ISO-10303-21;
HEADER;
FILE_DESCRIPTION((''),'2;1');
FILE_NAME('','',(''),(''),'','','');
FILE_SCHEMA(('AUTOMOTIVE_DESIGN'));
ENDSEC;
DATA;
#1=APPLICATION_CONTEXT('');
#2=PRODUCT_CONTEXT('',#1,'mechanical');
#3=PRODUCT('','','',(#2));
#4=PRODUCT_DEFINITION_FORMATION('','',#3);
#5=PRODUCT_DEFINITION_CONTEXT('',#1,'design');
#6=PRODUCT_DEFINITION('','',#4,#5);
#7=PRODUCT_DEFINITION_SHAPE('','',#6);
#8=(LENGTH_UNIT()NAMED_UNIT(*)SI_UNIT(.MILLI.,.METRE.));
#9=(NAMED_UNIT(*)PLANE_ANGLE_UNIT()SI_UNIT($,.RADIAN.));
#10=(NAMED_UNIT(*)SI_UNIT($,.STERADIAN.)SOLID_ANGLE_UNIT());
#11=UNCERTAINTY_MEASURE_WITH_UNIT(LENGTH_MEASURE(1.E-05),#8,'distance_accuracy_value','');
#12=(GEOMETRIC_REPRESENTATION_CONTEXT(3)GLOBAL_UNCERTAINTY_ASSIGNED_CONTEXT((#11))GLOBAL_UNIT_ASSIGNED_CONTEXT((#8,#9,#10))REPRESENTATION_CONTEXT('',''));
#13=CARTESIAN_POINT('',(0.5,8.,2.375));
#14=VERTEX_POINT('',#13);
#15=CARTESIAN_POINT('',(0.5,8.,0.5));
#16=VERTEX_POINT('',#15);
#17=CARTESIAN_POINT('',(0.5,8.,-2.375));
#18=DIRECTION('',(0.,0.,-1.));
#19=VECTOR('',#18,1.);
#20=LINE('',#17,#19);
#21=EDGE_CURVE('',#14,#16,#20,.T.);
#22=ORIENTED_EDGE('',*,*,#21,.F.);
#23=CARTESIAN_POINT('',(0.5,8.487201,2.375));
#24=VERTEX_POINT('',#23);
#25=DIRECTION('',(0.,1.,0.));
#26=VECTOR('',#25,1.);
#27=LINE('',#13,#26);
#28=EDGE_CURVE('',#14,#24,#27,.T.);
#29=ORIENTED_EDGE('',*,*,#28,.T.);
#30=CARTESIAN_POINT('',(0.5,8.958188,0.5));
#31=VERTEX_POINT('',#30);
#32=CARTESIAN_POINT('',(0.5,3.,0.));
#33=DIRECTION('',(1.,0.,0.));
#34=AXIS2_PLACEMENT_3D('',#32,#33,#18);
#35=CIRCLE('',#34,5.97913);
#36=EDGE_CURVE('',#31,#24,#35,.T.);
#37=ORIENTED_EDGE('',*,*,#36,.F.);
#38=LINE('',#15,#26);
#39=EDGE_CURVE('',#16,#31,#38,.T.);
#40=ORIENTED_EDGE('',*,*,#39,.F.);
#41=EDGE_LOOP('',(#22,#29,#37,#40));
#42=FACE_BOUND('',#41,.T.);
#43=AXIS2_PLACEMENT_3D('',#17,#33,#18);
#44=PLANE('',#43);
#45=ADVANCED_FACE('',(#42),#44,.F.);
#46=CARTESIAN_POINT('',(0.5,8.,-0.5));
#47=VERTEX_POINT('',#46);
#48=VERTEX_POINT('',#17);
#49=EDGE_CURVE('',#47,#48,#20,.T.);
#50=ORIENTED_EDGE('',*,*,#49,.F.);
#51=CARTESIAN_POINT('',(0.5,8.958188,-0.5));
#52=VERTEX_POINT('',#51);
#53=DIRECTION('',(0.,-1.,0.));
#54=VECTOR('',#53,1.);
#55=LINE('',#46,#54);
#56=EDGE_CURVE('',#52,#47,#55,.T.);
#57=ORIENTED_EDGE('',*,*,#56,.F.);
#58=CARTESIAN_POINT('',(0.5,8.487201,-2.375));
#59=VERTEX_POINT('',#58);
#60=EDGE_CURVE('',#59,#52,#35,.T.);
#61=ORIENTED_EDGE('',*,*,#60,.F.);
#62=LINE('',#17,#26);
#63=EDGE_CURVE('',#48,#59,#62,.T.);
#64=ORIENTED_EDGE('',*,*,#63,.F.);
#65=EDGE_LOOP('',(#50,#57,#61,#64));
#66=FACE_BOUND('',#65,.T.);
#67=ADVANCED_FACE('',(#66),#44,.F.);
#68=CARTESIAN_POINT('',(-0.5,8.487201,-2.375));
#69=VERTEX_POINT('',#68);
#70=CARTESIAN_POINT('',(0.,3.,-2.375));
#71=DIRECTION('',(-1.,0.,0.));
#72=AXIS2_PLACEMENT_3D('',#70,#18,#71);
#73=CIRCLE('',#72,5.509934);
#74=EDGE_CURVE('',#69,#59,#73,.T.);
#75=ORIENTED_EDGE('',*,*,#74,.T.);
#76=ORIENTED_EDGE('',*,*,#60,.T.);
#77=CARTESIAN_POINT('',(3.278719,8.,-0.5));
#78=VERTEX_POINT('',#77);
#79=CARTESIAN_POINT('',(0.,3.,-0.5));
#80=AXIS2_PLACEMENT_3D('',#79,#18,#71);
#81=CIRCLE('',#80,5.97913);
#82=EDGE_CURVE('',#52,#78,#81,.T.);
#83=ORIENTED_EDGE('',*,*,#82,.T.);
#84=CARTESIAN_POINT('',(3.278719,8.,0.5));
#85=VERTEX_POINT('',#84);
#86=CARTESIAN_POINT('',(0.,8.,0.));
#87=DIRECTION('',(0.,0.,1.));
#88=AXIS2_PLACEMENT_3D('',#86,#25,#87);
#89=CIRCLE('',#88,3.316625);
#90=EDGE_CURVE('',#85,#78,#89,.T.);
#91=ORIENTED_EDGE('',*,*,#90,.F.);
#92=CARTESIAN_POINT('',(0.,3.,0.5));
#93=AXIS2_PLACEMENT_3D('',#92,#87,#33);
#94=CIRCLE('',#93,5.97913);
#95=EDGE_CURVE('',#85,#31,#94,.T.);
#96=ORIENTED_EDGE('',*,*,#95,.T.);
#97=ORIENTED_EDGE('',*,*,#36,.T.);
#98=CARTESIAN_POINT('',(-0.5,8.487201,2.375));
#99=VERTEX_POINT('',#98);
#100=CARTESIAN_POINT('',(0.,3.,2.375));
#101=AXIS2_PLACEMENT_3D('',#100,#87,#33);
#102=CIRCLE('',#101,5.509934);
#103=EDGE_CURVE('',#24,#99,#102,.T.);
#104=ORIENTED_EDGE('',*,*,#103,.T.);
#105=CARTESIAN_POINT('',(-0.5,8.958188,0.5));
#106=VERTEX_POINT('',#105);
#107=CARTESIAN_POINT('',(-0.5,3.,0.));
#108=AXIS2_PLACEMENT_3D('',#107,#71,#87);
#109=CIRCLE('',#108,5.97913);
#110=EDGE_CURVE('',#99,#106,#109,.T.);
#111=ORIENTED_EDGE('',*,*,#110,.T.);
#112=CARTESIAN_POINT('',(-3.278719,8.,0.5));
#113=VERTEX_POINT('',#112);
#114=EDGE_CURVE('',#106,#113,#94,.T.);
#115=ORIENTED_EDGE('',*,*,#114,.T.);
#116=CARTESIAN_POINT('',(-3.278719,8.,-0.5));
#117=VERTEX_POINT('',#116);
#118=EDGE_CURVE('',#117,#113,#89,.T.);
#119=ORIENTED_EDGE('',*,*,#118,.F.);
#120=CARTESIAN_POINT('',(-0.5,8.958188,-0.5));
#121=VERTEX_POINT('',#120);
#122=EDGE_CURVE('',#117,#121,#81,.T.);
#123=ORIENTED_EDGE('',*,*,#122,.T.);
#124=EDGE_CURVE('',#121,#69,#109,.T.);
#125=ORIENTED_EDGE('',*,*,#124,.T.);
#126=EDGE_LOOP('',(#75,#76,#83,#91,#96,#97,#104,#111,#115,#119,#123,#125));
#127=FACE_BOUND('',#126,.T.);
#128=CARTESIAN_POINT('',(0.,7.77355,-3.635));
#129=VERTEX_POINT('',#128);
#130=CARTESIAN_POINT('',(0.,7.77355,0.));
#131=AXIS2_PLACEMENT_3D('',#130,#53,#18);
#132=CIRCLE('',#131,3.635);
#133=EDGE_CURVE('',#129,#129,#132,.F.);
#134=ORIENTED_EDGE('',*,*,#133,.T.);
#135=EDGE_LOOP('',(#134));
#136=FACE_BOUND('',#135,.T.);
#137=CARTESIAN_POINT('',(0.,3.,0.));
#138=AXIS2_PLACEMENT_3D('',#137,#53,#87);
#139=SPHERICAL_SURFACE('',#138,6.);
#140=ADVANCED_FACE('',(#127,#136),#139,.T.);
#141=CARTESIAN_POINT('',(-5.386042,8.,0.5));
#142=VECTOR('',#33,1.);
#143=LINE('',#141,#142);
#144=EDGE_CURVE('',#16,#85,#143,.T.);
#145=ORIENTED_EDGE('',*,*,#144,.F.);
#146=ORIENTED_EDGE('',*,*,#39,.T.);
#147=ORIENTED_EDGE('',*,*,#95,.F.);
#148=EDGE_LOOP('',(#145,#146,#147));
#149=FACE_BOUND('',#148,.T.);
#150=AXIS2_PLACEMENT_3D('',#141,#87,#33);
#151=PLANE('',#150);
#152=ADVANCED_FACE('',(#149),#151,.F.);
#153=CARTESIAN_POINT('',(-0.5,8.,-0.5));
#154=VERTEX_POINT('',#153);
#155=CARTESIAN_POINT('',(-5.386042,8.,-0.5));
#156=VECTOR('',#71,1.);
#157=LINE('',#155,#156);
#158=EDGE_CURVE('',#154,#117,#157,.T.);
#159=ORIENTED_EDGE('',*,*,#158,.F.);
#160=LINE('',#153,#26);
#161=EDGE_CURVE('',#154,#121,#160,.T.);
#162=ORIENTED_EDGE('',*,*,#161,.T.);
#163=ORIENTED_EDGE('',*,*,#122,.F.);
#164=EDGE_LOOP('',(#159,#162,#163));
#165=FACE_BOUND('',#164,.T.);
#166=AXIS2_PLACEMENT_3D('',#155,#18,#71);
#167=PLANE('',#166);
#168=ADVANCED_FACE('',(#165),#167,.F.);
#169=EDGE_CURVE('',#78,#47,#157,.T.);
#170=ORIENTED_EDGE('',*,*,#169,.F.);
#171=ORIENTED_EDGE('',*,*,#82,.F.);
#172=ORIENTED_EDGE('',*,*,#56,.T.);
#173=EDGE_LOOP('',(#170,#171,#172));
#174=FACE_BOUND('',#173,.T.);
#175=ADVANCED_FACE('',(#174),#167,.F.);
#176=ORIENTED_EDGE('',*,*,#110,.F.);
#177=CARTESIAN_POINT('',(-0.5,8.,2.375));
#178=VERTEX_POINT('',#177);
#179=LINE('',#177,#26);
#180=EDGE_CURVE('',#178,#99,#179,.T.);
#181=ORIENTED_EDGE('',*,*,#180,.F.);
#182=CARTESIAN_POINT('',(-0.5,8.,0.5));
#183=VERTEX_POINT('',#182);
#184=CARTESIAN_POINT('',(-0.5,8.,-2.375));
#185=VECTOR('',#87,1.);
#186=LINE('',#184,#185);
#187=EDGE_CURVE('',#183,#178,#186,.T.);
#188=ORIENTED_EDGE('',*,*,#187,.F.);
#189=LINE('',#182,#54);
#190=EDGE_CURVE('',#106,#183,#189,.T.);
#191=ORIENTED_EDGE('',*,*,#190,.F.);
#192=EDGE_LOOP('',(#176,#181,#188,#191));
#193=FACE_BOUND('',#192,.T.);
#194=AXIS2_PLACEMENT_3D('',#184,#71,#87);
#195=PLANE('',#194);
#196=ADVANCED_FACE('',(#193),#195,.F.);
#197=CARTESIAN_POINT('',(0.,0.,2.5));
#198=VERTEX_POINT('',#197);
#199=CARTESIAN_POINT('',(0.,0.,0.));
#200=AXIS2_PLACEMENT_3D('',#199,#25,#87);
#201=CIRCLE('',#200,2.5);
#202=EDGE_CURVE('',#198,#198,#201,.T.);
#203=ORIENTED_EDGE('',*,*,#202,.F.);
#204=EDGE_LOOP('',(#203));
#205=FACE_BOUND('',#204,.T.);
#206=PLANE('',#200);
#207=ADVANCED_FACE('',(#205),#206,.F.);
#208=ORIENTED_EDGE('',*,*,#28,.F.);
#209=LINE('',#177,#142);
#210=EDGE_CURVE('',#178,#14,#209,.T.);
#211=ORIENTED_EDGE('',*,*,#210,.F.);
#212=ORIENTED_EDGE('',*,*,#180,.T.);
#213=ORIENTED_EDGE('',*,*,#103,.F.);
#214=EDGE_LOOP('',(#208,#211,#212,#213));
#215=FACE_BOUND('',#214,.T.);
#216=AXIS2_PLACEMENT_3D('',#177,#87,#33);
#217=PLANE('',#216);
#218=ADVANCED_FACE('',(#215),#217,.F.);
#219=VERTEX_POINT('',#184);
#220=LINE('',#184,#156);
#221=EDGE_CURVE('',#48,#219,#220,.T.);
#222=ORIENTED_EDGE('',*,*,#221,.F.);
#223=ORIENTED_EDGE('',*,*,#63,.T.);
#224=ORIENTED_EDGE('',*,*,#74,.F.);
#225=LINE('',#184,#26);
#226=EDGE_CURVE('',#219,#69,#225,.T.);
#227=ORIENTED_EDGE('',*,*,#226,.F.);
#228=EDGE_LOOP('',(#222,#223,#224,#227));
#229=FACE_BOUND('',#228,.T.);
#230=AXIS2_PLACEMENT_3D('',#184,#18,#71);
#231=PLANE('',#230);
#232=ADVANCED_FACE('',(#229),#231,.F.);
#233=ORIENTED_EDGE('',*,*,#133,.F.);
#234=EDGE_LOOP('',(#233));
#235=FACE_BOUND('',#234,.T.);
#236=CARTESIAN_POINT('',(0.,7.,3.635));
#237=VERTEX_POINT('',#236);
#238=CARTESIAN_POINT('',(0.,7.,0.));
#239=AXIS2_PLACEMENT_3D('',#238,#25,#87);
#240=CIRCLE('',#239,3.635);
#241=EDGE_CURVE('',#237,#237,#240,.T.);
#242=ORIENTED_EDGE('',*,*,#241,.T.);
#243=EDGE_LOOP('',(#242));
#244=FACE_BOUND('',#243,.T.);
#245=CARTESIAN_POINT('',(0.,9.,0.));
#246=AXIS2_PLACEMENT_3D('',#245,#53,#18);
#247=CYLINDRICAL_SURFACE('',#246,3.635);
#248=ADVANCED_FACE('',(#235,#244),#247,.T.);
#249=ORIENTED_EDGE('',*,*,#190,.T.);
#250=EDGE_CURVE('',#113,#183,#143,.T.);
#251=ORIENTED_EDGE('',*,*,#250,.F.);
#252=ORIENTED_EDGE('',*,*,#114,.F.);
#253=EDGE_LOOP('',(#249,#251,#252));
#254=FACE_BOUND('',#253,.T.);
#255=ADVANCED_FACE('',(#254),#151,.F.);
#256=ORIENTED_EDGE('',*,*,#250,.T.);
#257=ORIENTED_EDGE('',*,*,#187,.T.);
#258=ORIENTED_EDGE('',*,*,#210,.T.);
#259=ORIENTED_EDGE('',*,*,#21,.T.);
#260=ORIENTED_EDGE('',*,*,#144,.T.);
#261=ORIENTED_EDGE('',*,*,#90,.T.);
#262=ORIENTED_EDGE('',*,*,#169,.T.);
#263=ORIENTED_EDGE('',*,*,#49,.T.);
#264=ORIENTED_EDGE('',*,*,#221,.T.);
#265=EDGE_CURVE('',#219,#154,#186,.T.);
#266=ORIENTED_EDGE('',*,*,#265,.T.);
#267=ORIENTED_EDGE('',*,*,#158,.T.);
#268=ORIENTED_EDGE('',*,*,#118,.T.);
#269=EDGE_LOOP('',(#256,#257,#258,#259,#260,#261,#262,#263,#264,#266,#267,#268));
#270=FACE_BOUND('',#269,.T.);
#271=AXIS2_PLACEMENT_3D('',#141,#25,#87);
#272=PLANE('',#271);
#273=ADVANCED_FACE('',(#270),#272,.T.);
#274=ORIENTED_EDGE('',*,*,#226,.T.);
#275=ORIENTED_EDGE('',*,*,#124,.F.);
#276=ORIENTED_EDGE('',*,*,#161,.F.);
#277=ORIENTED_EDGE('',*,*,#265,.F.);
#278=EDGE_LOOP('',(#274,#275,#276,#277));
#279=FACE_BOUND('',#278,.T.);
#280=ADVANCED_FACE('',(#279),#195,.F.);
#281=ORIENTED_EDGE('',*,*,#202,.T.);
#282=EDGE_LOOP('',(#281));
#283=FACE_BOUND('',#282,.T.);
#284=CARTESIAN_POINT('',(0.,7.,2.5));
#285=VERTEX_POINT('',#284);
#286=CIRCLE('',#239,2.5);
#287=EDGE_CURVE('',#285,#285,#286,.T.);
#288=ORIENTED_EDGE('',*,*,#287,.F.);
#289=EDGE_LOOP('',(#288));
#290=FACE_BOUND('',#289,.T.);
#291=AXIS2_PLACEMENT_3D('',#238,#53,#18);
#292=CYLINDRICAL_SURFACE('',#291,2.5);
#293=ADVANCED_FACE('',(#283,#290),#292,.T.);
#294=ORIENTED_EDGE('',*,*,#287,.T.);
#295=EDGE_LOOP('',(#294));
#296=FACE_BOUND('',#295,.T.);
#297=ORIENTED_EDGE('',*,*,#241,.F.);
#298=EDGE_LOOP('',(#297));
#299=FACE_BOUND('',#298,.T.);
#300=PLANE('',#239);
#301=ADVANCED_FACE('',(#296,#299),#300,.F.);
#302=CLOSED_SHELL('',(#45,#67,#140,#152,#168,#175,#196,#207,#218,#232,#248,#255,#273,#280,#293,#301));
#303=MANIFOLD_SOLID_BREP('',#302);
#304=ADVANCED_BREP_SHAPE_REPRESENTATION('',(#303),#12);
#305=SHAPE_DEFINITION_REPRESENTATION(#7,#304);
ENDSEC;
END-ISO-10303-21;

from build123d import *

# Parameters (mm, degrees)
SKETCH_1_R          = 2.5
EXTRUDE_1_DEPTH     = 7
SKETCH_2_R          = 3.635
EXTRUDE_2_DEPTH     = 2
SKETCH_3_W          = 10.772084644
SKETCH_3_H          = 1
CUT_EXTRUDE_1_DEPTH = 1
SKETCH_4_W          = 1
SKETCH_4_H          = 4.75
CUT_EXTRUDE_2_DEPTH = 1


with BuildPart() as part:
    # 草图1 → 拉伸1 (new body)
    with BuildSketch(Plane(origin=(0, 0, 0), x_dir=(1, 0, 0), z_dir=(0, 1, 0))):
        with Locations(Location((0, 0, 0), (0, 0, 270))):
            Circle(SKETCH_1_R)
    extrude(amount=EXTRUDE_1_DEPTH)

    # 草图2 → 拉伸2 (add)
    with BuildSketch(Plane(origin=(0, 7, 0), x_dir=(-1, 0, 0), z_dir=(0, 1, 0))):
        with Locations(Location((0, 0, 0), (0, 0, 90))):
            Circle(SKETCH_2_R)
    extrude(amount=EXTRUDE_2_DEPTH)

    # 草图3 → 切除-拉伸1 (cut)
    with BuildSketch(Plane(origin=(0, 9, 0), x_dir=(-1, 0, 0), z_dir=(0, 1, 0))):
        Rectangle(SKETCH_3_W, SKETCH_3_H)
    extrude(amount=-CUT_EXTRUDE_1_DEPTH, mode=Mode.SUBTRACT)

    # 草图4 → 切除-拉伸2 (cut)
    with BuildSketch(Plane(origin=(0, 9, 0), x_dir=(-1, 0, 0), z_dir=(0, 1, 0))):
        Rectangle(SKETCH_4_W, SKETCH_4_H)
    extrude(amount=-CUT_EXTRUDE_2_DEPTH, mode=Mode.SUBTRACT)

    # 草图5 → 切除-旋转16 (revolve, cut)
    with BuildSketch(Plane(origin=(0, 0, 0), x_dir=(0, 0, -1), z_dir=(1, 0, 0)), mode=Mode.PRIVATE) as cut_revolve_16_sk:
        with BuildLine():
            Line((0, 10.999822694), (-4.5493707, 10.999822694))
            Line((-4.5493707, 10.999822694), (-4.5493707, 6.911933822))
            ThreePointArc((-4.5493707, 6.911933822), (-2.502838096, 8.453054325), (0, 9))
            Line((0, 9), (0, 10.999822694))
        make_face()
    revolve(cut_revolve_16_sk.sketch.rotate(Axis((0, -2.105917543, 0), (0, 1, 0)), 180), axis=Axis((0, -2.105917543, 0), (0, 1, 0)), mode=Mode.SUBTRACT)


solid = part.part
